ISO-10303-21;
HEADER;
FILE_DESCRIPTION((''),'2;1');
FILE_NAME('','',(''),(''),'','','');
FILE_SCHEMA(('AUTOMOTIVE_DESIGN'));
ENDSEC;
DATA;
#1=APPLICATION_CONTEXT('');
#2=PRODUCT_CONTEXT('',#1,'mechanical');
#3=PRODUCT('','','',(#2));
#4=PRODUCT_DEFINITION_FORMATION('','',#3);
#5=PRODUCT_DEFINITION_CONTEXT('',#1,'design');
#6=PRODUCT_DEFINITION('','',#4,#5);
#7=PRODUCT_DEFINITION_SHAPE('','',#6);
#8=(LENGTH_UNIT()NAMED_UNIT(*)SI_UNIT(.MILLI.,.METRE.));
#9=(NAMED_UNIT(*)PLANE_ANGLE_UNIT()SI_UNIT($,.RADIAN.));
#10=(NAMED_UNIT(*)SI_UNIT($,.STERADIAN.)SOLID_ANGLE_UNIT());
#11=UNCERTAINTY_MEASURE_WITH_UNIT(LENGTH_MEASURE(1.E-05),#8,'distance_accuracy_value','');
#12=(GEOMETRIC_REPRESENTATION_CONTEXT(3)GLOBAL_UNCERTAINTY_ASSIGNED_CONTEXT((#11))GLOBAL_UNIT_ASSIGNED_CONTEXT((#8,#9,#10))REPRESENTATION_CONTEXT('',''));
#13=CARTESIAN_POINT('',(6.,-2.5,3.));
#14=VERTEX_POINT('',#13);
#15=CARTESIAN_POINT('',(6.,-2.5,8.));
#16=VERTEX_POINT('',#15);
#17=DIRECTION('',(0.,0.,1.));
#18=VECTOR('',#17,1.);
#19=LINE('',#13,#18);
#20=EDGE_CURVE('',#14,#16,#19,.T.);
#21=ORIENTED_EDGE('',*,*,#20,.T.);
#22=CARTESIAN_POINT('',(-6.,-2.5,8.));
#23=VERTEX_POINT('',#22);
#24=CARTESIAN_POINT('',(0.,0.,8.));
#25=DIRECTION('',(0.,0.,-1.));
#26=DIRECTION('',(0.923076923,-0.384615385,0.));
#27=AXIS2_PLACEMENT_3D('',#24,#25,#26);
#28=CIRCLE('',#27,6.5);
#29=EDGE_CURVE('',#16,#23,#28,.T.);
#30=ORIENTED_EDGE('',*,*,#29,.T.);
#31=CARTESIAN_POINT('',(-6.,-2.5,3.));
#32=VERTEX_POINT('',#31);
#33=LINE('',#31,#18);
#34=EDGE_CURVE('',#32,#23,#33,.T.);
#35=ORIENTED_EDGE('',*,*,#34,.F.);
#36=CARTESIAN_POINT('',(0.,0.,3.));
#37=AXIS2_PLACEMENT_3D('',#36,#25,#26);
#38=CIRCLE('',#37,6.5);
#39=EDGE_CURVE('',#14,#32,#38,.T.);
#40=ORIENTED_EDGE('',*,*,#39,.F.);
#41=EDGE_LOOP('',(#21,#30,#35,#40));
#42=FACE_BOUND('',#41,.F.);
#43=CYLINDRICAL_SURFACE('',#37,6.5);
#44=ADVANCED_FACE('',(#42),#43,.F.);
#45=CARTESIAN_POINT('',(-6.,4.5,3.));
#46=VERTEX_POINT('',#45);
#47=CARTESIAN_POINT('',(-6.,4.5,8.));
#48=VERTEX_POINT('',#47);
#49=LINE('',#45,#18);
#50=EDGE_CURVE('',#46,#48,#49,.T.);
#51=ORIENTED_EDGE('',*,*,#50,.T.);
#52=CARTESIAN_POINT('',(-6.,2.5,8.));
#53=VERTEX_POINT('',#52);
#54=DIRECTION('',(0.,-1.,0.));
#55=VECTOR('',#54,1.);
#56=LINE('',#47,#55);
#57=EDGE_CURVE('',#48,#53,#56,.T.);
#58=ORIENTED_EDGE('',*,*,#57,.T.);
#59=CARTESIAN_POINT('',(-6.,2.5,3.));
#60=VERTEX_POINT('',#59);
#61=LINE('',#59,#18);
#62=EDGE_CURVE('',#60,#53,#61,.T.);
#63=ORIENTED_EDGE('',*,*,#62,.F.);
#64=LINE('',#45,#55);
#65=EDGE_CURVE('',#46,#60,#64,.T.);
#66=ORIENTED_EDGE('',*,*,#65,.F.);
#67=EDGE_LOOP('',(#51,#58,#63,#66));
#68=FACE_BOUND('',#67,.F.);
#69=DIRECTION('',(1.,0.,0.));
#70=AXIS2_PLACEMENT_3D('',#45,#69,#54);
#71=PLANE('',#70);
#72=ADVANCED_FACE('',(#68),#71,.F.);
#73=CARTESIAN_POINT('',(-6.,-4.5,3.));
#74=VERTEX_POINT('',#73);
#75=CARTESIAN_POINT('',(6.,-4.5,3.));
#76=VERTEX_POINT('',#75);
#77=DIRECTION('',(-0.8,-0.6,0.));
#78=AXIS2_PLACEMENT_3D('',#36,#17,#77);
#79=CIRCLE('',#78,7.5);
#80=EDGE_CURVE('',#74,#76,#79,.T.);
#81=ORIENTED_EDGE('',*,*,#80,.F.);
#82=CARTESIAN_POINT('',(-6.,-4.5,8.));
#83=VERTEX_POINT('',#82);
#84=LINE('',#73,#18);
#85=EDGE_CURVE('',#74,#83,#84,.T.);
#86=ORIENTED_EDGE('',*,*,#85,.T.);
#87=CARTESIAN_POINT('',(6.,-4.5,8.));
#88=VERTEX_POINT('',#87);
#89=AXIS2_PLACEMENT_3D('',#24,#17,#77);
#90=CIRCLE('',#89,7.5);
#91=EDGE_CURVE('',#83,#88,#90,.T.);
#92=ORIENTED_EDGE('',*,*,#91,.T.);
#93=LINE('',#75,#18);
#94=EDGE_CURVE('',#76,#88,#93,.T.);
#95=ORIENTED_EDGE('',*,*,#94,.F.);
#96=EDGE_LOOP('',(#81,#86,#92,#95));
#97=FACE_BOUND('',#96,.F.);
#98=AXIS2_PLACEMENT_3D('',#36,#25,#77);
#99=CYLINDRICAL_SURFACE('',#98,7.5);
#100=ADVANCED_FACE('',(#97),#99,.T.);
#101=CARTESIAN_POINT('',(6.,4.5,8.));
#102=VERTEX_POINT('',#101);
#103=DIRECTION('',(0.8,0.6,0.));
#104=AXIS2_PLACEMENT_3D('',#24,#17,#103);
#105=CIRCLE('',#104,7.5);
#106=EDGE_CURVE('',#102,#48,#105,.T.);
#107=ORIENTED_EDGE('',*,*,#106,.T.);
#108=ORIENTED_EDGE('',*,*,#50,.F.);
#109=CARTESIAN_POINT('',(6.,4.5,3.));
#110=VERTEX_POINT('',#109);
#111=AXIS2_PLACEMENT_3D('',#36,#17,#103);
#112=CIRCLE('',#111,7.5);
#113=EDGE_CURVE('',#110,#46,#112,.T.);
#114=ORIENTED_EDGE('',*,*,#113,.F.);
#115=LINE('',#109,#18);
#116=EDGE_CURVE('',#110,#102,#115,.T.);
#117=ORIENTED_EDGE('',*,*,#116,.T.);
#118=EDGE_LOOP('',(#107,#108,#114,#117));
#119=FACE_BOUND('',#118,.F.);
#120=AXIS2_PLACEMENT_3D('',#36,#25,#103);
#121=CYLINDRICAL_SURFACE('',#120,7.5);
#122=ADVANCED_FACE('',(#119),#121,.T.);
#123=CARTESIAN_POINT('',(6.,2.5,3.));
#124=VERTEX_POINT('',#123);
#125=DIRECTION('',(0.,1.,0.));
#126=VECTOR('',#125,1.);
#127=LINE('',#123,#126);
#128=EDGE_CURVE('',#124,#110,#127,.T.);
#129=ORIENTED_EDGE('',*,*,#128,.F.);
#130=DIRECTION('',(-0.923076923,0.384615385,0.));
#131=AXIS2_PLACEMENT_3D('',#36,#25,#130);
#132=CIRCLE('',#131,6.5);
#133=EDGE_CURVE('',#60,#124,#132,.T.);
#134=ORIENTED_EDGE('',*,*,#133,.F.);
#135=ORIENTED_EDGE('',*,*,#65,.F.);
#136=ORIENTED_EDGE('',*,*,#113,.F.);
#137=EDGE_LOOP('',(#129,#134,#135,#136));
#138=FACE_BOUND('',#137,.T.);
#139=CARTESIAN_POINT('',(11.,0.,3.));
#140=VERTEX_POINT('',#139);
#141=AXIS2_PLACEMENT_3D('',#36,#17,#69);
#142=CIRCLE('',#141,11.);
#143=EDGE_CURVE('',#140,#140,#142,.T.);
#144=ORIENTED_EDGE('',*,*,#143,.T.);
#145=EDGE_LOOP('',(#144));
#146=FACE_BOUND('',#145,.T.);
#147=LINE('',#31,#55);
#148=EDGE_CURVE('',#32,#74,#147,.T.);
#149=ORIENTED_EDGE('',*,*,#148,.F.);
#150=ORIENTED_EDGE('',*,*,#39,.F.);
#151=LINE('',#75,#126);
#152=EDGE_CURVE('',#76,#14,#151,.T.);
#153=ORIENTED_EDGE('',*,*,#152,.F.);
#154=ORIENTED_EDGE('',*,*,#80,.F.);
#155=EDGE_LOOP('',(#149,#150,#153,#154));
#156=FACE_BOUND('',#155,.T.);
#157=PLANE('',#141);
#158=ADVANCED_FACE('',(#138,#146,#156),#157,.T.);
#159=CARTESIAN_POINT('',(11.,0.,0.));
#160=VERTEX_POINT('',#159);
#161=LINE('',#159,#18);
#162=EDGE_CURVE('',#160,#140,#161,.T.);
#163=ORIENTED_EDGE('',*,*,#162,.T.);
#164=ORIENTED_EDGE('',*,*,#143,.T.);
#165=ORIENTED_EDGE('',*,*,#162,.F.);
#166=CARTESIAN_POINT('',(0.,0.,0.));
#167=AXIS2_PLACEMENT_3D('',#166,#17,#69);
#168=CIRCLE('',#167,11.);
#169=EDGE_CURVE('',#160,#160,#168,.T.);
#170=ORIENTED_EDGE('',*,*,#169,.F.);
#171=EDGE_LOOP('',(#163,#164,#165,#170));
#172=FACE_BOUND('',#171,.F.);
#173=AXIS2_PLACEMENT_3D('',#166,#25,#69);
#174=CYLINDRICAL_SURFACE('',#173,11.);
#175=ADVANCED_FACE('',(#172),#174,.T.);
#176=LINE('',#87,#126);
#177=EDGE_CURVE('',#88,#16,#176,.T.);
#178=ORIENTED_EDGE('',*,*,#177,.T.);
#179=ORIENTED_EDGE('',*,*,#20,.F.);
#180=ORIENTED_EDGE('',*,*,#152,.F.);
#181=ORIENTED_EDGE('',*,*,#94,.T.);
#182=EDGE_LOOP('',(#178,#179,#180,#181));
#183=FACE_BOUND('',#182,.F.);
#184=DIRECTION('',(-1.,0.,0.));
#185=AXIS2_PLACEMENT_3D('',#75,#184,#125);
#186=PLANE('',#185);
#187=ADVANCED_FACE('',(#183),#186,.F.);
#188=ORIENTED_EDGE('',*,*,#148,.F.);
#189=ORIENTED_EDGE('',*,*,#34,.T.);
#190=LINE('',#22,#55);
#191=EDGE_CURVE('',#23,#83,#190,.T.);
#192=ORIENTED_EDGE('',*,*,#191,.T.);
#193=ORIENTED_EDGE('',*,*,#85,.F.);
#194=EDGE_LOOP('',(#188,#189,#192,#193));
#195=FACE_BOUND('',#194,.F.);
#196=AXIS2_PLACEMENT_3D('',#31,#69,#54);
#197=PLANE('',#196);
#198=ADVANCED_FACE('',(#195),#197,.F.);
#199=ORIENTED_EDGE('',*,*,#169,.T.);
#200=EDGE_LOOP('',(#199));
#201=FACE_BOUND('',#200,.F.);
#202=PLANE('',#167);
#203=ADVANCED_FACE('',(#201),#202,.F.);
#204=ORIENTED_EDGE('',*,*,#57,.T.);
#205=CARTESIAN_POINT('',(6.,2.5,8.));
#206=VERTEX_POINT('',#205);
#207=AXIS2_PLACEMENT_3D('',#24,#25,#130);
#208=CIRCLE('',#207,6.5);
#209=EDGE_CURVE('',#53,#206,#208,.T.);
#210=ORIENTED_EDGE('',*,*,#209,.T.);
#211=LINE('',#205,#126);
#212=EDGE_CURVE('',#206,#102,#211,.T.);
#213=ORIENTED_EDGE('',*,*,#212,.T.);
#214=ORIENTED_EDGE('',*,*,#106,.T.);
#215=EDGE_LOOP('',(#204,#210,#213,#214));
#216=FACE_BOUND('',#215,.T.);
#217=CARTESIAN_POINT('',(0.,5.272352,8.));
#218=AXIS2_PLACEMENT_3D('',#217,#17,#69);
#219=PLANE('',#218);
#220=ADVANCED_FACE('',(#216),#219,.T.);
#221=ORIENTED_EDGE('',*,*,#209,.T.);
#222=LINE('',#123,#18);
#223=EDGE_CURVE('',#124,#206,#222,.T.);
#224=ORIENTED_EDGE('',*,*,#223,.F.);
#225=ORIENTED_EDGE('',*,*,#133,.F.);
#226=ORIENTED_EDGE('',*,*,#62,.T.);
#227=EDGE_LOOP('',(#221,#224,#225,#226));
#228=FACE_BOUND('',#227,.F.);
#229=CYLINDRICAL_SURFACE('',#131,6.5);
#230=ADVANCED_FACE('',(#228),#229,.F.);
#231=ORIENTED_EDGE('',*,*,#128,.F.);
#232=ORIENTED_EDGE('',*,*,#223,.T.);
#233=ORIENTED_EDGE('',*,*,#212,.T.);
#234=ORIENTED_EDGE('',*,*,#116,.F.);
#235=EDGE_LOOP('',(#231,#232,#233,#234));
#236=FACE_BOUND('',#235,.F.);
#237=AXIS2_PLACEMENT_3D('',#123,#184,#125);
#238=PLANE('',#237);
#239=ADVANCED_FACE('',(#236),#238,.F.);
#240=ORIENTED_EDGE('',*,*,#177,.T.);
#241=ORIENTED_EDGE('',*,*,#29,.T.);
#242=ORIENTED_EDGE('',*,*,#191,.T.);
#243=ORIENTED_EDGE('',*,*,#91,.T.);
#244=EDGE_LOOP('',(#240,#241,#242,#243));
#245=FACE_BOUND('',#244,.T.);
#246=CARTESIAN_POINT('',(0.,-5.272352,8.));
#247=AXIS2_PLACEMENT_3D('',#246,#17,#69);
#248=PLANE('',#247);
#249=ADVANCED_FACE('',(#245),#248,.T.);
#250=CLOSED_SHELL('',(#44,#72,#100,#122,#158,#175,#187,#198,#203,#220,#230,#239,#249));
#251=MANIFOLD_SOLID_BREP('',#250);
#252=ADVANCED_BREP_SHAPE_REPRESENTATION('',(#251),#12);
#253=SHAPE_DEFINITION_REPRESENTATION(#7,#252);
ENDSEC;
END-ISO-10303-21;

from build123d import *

# Parameters (mm, degrees)
F0_R     = 11
F1_DEPTH = 3
F3_DEPTH = 5


with BuildPart() as f1:
    # F0 (on Top) → F1 (new body)
    with BuildSketch(Plane.XY):
        Circle(F0_R)
    extrude(amount=F1_DEPTH)

    # F2 (on face) → F3 (join)
    with BuildSketch(Plane.XY.offset(3)):
        with BuildLine():
            Line((6, 2.5), (6, 4.5))
            ThreePointArc((6, 4.5), (0, 7.5), (-6, 4.5))
            Line((-6, 4.5), (-6, 2.5))
            ThreePointArc((-6, 2.5), (0, 6.5), (6, 2.5))
        make_face()
        with BuildLine():
            Line((6, -4.5), (6, -2.5))
            ThreePointArc((6, -2.5), (0, -6.5), (-6, -2.5))
            Line((-6, -2.5), (-6, -4.5))
            ThreePointArc((-6, -4.5), (0, -7.5), (6, -4.5))
        make_face()
    extrude(amount=F3_DEPTH)


solid = f1.part
